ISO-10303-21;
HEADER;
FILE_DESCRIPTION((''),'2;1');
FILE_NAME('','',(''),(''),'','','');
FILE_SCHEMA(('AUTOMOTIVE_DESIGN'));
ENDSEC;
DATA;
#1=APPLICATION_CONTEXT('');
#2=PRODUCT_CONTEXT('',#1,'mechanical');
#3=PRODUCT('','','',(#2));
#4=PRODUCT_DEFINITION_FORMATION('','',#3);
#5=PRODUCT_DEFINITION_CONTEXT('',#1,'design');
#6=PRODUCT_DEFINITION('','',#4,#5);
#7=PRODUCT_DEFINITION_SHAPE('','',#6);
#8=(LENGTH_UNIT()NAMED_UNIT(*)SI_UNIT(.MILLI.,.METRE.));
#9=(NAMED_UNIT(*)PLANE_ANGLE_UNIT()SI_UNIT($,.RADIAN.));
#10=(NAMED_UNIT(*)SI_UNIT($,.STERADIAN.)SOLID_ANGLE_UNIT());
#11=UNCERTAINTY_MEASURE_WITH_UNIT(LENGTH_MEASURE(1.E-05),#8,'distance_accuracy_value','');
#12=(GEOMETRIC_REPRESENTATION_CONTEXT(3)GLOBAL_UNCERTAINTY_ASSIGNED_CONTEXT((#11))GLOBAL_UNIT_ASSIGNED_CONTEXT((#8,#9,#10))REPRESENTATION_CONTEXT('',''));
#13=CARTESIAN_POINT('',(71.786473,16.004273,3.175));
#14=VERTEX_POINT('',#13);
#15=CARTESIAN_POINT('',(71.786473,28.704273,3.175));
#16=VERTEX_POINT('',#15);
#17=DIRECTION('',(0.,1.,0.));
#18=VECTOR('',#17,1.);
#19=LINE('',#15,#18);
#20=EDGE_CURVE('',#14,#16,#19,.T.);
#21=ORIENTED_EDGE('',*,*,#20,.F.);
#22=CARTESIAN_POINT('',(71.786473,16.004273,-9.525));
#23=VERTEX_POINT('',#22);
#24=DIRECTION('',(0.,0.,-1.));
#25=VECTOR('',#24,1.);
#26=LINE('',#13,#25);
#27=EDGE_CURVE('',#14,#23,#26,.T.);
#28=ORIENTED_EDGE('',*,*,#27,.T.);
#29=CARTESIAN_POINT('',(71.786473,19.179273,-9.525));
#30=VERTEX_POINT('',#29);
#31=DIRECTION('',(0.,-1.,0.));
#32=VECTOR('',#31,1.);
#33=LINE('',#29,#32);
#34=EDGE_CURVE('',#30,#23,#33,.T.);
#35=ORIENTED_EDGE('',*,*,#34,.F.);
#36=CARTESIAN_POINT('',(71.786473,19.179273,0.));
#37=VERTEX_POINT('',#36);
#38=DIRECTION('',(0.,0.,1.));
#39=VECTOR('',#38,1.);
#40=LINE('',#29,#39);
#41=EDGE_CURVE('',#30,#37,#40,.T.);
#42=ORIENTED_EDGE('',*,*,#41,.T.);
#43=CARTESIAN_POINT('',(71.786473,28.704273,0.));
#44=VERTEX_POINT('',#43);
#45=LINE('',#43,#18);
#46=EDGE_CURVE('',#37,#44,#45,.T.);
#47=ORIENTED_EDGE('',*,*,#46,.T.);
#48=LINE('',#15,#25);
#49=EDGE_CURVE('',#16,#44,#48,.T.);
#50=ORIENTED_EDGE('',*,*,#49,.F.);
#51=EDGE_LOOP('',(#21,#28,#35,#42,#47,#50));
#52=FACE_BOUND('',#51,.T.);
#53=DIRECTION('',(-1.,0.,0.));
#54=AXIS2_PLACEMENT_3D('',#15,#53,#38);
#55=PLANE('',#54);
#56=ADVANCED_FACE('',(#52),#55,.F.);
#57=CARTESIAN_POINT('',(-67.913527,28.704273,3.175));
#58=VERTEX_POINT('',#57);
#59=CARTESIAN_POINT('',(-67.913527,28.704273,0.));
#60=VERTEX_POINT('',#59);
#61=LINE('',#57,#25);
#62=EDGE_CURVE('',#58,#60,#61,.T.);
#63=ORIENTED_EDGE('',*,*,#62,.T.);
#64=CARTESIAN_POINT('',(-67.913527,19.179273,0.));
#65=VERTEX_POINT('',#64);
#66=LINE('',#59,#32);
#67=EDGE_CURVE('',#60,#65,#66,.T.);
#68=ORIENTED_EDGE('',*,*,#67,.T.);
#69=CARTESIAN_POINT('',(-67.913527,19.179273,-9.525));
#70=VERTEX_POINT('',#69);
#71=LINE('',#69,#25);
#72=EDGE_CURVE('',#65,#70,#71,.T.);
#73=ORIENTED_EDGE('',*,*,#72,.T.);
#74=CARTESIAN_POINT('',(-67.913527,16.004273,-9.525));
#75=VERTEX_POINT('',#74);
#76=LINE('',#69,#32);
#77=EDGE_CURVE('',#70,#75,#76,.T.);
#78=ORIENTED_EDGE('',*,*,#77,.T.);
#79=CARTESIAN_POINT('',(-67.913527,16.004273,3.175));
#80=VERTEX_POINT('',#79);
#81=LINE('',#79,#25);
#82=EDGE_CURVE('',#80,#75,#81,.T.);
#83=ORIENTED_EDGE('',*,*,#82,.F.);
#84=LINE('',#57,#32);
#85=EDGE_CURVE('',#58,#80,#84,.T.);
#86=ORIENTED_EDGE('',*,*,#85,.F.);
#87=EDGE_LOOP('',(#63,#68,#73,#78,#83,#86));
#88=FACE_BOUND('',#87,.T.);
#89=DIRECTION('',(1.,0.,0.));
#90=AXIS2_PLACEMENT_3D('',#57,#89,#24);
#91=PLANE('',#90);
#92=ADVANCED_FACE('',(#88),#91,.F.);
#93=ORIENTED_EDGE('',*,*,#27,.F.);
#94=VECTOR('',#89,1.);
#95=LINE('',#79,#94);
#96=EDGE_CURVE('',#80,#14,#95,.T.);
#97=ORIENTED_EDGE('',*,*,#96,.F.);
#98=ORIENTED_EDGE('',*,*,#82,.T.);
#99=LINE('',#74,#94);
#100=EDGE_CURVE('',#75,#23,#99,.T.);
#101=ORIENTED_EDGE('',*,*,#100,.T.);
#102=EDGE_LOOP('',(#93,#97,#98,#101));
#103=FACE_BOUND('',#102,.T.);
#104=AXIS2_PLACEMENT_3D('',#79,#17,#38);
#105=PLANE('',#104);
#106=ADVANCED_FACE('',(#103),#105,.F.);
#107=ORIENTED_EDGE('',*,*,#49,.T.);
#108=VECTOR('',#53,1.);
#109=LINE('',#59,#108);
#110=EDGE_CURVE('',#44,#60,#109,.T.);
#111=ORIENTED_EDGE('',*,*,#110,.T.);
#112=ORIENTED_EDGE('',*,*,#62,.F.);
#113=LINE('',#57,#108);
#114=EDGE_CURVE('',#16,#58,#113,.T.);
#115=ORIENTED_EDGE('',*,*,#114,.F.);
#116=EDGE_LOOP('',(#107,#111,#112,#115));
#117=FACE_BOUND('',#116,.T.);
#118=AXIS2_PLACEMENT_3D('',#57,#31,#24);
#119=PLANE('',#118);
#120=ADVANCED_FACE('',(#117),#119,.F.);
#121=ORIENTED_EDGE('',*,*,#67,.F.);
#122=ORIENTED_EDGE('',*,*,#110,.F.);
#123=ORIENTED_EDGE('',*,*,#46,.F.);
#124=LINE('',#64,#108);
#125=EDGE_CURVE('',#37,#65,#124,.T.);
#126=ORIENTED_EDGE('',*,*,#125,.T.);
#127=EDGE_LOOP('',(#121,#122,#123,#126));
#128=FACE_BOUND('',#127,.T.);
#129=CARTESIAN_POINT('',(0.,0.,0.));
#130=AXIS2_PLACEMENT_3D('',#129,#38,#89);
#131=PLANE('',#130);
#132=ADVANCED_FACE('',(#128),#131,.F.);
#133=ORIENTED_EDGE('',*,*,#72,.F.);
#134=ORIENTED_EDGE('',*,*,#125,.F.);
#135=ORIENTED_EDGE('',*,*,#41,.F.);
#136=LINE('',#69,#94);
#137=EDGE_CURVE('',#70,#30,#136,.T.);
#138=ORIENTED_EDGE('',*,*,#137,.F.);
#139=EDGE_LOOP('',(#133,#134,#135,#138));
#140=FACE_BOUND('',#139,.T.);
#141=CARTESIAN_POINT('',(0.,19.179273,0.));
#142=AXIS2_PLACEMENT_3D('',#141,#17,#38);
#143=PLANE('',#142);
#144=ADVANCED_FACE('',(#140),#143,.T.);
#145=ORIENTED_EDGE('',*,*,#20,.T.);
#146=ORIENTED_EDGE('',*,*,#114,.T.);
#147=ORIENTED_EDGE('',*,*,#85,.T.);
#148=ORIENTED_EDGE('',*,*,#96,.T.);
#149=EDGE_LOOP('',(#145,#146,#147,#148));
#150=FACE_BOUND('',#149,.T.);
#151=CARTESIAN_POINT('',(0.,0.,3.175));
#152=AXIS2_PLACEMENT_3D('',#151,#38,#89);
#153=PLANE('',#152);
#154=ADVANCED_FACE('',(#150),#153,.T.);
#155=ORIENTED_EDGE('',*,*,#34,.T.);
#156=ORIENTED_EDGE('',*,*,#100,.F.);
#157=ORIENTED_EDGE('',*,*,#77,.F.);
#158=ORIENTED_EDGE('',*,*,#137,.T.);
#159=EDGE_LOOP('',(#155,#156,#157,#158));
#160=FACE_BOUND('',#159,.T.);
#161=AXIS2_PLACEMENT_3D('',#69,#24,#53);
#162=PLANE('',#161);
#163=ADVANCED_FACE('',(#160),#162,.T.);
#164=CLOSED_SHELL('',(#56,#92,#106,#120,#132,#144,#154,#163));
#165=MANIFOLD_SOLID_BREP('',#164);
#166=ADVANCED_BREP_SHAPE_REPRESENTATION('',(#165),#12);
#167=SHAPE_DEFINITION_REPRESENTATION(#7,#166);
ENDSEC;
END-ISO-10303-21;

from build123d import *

# Parameters (mm, degrees)
SKETCH1_W           = 139.7
SKETCH1_H           = 12.7
BOSS_EXTRUDE1_DEPTH = 3.175
SKETCH7_W           = 139.7
SKETCH7_H           = 9.525
BOSS_EXTRUDE2_DEPTH = 3.175


with BuildPart() as part:
    # Sketch1 → Boss-Extrude1 (new body)
    with BuildSketch(Plane.XY):
        with Locations((1.936472643, 22.354273404)):
            Rectangle(SKETCH1_W, SKETCH1_H)
    extrude(amount=BOSS_EXTRUDE1_DEPTH)

    # Sketch7 → Boss-Extrude2 (add)
    with BuildSketch(Plane(origin=(0, 16.004273404, 0), x_dir=(-1, 0, 0), z_dir=(0, -1, 0))):
        with Locations((-1.936472643, 4.7625)):
            Rectangle(SKETCH7_W, SKETCH7_H)
    extrude(amount=-BOSS_EXTRUDE2_DEPTH)


solid = part.part
